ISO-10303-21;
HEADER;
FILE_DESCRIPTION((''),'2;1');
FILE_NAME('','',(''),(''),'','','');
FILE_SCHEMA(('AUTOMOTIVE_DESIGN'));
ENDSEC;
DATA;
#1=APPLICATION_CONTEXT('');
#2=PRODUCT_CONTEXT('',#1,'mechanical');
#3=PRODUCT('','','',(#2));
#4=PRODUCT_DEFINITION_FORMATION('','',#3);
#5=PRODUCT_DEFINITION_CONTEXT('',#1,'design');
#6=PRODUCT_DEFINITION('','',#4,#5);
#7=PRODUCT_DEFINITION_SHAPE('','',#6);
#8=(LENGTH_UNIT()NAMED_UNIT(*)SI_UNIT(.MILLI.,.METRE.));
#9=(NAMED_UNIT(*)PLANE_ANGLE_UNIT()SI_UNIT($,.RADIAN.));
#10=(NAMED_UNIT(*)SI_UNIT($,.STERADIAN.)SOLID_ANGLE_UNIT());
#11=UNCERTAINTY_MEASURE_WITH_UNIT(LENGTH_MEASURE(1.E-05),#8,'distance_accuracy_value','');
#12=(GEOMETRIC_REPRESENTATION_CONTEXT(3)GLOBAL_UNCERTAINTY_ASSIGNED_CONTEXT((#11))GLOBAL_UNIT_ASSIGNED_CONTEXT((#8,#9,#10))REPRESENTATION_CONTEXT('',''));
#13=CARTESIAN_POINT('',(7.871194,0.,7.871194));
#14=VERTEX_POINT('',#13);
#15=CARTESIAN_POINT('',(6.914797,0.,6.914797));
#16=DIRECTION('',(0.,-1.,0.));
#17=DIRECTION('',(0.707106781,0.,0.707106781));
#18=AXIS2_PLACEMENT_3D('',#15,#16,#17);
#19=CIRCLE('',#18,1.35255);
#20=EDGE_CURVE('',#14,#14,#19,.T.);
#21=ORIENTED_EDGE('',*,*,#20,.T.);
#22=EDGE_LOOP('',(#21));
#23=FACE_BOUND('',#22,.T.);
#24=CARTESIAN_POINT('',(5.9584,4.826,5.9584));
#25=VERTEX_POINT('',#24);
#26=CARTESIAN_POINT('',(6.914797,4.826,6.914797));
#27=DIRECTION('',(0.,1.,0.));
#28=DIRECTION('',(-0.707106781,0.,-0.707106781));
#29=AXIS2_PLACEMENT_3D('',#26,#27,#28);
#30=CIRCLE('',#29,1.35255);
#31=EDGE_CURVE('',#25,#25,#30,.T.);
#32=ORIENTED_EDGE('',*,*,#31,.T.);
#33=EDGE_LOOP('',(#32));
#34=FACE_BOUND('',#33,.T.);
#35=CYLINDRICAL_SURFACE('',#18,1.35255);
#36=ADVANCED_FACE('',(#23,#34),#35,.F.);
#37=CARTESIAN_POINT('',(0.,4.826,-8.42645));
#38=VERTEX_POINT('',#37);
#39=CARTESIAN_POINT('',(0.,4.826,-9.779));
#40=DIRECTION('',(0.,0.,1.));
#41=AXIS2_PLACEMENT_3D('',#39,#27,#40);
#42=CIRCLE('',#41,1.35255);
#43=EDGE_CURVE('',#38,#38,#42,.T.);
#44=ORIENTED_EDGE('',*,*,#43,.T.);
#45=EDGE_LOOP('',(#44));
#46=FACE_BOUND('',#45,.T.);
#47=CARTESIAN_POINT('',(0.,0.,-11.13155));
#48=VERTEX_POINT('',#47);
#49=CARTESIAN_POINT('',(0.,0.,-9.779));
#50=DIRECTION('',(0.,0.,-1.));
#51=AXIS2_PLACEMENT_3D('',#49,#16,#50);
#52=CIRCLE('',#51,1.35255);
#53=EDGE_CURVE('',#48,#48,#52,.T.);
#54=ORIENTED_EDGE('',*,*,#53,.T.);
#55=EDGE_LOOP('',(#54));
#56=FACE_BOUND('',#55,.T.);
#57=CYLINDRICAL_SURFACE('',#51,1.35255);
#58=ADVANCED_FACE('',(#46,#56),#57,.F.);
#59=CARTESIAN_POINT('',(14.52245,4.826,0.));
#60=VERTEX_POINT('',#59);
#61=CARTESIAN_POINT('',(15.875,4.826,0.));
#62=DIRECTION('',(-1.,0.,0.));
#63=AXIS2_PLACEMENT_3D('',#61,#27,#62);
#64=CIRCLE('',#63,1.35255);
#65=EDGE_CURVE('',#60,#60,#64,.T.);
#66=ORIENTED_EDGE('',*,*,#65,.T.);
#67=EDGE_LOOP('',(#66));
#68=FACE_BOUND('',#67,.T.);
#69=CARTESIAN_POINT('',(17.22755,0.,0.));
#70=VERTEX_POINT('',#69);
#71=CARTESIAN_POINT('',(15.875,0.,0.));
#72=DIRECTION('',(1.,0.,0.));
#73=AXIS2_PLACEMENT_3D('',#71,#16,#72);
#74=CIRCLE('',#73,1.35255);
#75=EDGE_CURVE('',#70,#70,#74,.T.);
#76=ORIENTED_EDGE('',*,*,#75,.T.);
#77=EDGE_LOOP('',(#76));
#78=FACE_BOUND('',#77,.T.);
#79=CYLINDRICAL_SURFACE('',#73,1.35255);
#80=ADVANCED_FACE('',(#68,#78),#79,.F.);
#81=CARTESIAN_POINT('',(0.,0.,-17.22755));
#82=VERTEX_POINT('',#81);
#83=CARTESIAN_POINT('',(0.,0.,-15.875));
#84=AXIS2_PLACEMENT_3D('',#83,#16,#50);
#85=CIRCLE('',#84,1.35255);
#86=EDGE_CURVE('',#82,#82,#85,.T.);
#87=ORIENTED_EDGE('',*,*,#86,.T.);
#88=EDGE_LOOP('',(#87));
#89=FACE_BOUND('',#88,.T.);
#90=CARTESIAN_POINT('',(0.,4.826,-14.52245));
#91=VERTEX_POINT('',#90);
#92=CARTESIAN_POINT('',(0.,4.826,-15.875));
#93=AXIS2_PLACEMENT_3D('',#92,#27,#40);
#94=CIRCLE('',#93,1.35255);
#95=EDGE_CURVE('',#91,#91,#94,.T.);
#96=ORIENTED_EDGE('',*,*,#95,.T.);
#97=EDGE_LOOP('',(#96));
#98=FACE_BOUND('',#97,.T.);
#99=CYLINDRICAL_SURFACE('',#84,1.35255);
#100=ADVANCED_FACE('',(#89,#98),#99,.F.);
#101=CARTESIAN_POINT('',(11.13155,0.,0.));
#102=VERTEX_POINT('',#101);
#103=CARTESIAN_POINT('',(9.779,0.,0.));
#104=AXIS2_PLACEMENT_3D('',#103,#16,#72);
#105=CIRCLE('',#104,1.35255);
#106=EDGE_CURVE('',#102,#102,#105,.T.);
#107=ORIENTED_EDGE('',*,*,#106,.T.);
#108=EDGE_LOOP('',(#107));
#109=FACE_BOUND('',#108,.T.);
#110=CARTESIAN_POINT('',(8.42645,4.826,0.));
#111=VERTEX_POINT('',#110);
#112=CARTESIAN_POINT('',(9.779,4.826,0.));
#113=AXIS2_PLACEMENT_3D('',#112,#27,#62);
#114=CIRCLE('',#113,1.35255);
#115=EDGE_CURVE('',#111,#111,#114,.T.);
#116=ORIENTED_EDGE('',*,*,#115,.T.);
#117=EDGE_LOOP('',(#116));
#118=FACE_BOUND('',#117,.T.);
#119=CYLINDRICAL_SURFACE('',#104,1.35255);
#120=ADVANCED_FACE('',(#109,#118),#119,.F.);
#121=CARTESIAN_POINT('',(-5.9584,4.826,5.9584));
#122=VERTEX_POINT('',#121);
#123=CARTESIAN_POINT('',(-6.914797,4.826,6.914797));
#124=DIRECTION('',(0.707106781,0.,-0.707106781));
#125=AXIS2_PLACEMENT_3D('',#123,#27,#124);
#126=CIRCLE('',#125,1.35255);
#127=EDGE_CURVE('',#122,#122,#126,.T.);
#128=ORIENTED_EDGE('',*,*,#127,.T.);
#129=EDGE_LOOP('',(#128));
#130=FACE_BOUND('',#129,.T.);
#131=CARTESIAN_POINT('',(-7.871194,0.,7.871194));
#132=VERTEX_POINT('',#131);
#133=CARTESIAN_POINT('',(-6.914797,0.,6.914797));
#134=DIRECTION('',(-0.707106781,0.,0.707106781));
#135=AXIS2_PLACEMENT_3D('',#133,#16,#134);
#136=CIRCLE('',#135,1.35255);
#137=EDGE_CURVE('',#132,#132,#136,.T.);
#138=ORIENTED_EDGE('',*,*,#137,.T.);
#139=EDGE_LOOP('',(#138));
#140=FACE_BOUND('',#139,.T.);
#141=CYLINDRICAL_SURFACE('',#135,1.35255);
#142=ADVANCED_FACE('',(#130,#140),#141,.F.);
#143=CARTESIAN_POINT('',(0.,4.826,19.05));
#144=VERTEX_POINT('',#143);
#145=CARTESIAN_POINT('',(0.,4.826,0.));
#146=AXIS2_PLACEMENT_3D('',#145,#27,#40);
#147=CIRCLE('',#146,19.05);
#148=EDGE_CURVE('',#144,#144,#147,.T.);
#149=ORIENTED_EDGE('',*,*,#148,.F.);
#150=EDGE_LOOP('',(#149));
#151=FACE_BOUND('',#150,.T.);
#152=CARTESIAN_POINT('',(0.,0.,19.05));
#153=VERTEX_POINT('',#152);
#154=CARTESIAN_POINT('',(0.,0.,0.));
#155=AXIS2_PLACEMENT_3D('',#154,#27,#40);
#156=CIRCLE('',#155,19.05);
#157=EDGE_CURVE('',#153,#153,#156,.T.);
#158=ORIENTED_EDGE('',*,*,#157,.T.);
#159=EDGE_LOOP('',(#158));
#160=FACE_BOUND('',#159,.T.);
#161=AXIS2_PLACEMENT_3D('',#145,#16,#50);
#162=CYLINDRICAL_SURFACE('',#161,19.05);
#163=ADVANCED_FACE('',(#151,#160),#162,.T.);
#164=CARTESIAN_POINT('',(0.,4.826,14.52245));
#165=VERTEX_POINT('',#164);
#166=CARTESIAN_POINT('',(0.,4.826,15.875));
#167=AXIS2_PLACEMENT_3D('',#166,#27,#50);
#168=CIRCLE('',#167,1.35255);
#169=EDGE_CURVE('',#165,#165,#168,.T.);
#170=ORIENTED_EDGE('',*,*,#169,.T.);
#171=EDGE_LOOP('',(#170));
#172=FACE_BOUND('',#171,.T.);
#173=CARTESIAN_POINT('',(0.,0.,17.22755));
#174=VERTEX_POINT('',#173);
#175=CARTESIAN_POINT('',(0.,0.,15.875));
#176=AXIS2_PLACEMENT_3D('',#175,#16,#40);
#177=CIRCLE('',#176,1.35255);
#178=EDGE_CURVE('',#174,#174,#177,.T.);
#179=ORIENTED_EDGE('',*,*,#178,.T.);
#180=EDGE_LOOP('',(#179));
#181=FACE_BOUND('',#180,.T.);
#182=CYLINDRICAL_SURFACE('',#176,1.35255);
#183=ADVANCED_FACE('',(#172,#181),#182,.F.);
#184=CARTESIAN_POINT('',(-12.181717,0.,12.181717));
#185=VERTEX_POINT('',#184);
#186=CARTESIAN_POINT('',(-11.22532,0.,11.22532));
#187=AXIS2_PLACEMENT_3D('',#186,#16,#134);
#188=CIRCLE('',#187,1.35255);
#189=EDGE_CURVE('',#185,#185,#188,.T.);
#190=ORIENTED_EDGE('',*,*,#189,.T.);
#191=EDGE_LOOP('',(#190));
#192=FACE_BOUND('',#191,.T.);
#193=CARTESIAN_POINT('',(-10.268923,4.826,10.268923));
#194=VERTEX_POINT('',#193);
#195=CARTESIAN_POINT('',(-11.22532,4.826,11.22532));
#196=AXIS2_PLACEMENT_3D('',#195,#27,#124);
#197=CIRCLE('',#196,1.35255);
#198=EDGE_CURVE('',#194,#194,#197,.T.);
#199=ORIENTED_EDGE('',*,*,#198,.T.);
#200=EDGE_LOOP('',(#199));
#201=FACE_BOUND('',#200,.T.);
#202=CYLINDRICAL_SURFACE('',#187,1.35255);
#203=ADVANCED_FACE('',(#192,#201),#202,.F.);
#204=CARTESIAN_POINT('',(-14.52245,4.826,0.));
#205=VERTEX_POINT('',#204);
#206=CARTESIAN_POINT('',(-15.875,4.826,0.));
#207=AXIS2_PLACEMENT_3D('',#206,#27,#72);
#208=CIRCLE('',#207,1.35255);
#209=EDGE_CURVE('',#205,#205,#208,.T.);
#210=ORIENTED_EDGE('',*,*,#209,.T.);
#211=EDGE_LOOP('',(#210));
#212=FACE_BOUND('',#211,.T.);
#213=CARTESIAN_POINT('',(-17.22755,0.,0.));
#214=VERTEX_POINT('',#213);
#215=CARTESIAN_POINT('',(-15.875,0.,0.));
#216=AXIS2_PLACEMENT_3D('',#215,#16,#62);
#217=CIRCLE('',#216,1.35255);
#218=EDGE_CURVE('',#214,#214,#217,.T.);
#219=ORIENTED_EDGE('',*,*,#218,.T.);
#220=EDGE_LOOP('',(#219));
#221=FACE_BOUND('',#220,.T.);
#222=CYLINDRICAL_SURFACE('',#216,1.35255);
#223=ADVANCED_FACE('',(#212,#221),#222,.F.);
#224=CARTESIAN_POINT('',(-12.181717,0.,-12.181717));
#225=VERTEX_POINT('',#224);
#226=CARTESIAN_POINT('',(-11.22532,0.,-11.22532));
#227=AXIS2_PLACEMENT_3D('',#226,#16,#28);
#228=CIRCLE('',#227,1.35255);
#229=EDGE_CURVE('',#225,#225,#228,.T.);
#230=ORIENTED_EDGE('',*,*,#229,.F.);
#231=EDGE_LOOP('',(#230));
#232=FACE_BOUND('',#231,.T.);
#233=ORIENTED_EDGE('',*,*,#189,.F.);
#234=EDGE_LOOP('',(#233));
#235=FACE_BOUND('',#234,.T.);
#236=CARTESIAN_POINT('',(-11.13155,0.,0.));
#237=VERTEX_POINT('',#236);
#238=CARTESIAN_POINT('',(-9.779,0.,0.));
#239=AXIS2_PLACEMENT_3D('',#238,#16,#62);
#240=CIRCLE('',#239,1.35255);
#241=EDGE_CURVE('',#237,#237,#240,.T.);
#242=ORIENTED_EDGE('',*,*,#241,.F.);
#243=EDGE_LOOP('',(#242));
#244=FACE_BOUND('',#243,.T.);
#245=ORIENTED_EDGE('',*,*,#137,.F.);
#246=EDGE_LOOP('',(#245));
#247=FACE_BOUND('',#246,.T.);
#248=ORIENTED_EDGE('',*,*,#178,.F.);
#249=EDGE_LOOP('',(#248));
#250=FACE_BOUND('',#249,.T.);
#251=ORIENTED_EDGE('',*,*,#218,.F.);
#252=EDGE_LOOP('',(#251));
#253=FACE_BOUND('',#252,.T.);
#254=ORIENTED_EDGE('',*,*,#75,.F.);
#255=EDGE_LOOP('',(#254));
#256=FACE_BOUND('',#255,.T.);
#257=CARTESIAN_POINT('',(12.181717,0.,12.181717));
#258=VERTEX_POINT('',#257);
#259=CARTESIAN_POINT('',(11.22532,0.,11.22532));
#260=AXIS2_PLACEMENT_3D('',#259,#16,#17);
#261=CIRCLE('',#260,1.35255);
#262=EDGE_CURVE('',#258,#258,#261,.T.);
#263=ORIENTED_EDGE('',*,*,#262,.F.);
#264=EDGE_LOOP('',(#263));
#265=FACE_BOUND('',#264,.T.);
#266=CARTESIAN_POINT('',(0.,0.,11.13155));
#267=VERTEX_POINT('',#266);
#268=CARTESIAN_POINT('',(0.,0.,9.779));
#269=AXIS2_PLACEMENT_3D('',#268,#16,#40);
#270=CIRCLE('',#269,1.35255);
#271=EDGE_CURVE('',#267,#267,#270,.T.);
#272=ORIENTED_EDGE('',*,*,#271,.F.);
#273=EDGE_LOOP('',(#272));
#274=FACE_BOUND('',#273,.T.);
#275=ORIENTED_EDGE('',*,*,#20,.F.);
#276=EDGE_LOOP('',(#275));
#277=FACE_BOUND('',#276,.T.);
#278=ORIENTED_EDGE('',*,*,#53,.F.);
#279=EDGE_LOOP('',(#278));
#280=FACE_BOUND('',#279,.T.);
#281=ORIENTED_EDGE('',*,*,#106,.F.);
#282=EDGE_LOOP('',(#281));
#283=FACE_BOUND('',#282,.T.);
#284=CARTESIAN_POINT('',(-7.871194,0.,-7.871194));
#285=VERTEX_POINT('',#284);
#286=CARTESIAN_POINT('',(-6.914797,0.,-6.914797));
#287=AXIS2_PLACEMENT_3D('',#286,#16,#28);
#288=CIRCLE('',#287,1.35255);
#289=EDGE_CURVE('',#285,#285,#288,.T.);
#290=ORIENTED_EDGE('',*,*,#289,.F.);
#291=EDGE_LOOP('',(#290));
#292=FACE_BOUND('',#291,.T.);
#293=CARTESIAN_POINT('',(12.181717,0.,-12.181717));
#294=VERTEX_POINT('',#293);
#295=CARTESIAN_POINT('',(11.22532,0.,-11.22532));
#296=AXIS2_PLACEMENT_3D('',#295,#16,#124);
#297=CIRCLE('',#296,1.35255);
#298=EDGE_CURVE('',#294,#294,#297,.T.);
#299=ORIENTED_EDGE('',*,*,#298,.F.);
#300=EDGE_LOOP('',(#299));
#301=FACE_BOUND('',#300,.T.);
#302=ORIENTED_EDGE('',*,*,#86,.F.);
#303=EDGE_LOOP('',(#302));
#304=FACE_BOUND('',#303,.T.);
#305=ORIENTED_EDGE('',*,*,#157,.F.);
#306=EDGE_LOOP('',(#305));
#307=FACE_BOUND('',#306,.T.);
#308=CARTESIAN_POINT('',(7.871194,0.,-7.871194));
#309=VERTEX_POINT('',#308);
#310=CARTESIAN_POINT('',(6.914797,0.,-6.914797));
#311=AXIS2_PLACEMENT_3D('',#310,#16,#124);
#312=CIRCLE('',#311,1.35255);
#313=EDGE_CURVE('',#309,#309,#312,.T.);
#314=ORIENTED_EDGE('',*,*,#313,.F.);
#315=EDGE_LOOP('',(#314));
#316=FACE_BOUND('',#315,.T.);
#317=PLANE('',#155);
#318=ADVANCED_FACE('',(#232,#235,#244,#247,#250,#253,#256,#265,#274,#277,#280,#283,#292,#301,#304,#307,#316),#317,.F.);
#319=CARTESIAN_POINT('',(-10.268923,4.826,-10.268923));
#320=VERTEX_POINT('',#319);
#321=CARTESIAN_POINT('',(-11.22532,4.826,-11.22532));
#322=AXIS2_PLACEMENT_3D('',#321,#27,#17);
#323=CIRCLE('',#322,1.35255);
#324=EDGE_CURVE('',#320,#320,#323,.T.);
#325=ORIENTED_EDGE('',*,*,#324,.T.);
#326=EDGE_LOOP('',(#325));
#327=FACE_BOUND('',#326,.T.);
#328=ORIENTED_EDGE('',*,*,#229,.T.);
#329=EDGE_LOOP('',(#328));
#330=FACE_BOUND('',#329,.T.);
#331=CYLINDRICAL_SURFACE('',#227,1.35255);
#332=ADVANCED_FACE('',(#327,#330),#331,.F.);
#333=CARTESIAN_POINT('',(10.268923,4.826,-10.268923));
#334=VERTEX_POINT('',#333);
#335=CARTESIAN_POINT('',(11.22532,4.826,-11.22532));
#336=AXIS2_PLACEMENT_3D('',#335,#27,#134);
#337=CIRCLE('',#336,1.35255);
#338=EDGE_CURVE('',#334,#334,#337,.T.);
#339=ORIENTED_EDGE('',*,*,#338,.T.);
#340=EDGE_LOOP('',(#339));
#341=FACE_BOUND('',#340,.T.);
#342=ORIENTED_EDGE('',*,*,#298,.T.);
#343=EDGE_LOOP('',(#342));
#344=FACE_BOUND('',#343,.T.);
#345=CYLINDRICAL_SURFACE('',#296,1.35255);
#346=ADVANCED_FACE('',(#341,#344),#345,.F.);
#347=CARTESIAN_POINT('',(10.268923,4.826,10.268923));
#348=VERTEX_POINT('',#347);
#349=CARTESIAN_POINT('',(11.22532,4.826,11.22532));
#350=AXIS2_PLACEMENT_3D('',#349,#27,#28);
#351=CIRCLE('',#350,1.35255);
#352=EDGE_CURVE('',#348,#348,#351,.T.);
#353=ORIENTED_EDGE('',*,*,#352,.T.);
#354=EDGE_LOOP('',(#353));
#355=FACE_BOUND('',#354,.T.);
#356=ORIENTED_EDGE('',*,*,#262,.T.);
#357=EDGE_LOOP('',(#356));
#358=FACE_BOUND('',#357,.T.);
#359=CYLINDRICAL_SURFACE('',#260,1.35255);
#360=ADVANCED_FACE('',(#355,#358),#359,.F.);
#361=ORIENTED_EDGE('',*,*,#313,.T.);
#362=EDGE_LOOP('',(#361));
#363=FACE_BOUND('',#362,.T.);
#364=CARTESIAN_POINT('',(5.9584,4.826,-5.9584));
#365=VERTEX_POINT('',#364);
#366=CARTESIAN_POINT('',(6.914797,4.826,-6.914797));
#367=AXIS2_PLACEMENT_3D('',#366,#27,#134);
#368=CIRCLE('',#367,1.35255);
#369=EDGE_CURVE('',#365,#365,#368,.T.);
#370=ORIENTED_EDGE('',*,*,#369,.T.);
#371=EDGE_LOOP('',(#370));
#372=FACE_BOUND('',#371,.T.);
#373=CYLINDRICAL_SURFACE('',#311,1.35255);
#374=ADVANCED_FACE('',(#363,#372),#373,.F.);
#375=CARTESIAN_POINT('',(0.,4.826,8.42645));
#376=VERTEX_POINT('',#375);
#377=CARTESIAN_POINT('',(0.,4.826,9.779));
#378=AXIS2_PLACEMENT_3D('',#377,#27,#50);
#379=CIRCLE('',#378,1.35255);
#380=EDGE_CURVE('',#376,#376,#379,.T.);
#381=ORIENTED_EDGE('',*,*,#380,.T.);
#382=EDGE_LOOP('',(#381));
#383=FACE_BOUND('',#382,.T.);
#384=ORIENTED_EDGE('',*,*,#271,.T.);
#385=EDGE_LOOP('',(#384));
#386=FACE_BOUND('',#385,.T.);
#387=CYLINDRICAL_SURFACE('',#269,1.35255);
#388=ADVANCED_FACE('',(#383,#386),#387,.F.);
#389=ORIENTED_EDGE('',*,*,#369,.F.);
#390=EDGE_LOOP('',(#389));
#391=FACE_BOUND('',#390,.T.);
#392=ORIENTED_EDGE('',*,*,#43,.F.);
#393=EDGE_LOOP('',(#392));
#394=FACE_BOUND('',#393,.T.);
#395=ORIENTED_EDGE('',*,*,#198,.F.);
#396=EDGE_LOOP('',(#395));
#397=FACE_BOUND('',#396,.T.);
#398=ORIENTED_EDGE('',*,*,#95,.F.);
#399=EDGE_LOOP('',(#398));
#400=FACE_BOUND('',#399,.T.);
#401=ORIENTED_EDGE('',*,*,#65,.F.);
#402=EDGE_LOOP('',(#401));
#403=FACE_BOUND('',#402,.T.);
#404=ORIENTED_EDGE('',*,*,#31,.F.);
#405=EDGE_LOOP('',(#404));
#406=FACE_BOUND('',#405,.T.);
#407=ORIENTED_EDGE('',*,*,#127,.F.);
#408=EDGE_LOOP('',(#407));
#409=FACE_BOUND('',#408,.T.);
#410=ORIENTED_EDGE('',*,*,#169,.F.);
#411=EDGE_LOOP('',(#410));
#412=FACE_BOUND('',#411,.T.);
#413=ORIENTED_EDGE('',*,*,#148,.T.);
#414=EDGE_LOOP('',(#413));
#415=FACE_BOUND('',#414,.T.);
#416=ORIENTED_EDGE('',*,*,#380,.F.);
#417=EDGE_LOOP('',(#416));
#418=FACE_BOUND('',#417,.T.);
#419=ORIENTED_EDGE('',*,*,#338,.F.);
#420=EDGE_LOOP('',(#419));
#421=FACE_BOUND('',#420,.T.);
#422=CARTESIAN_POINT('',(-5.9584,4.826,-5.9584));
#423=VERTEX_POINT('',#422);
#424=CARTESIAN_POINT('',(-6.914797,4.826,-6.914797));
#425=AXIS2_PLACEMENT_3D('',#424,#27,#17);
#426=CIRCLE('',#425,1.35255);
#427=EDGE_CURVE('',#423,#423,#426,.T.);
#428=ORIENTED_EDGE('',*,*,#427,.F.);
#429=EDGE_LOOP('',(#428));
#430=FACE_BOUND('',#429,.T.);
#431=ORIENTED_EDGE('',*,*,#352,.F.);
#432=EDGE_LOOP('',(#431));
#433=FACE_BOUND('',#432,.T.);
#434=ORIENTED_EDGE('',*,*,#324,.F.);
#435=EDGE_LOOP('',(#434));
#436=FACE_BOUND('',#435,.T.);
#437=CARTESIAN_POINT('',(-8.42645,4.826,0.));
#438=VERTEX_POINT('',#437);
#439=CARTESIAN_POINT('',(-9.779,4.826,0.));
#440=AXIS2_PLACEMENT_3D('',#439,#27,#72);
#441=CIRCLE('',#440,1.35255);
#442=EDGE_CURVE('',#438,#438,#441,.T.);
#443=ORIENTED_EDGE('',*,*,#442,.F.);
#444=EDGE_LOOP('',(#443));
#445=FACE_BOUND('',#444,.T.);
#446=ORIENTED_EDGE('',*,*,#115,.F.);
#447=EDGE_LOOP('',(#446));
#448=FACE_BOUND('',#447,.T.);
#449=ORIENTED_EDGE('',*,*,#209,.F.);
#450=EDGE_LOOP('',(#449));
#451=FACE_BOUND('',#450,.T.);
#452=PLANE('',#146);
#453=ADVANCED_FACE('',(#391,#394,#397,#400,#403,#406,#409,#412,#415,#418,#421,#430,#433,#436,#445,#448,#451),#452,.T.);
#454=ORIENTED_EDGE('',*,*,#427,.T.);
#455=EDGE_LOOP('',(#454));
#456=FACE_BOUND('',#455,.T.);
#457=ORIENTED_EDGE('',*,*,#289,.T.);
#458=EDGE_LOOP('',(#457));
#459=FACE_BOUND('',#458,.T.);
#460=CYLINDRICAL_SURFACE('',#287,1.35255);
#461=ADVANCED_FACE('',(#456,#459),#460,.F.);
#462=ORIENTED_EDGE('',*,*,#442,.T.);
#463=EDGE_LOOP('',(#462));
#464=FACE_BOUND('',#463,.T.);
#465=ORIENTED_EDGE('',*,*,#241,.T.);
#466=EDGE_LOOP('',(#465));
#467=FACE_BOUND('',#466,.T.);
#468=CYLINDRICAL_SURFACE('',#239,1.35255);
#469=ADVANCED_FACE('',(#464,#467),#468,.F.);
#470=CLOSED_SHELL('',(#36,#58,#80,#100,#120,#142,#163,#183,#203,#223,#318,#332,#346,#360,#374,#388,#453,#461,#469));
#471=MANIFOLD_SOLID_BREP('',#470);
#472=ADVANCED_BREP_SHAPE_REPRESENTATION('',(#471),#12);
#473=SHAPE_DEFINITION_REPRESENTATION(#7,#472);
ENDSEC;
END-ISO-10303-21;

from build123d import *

# Parameters (mm, degrees)
SKETCH1_R                       = 19.05
BOSS_EXTRUDE1_DEPTH             = 4.826
M2_5_CLEARANCE_HOLE2_AT_2_COUNT = 2
M2_5_CLEARANCE_HOLE2_AT_2_PITCH = 6.096
CIRPATTERN1_COUNT               = 8


with BuildPart() as part:
    # Sketch1 → Boss-Extrude1 (new body)
    with BuildSketch(Plane(origin=(0, 0, 0), x_dir=(1, 0, 0), z_dir=(0, 1, 0))):
        Circle(SKETCH1_R)
    extrude(amount=BOSS_EXTRUDE1_DEPTH)

    # Sketch11 → M2.5 Clearance Hole2 (revolve, cut)
    with BuildSketch(Plane(origin=(0, 0, -15.875), x_dir=(0, 0, -1), z_dir=(1, 0, 0))):
        Polygon((0, 0), (0, 5.89269403), (1.35255, 5.08), (1.35255, 0), align=None)
    m2_5_clearance_hole2 = revolve(axis=Axis((0, -6.35, -15.875), (0, 1, 0)), mode=Mode.SUBTRACT)

    # M2.5 Clearance Hole2 at 2: M2.5 Clearance Hole2 ×2
    with Locations(*[(0, 0, i * M2_5_CLEARANCE_HOLE2_AT_2_PITCH) for i in range(1, M2_5_CLEARANCE_HOLE2_AT_2_COUNT)]):
        add(m2_5_clearance_hole2, mode=Mode.SUBTRACT)

    # CirPattern1: M2.5 Clearance Hole2 ×8 about axis
    cirpattern1_axis = Axis((0, 0, 0), (0, 1, 0))
    for i in range(1, CIRPATTERN1_COUNT):
        add(m2_5_clearance_hole2.rotate(cirpattern1_axis, i * 360 / CIRPATTERN1_COUNT), mode=Mode.SUBTRACT)

    # CirPattern1 copy 1 sketch → CirPattern1 copy 1 (revolve, cut)
    with BuildSketch(Plane(origin=(-6.914797213, 0, -6.914797213), x_dir=(-0.707106781, 0, -0.707106781), z_dir=(0.707106781, 0, -0.707106781))):
        Polygon((0, 0), (0, 5.89269403), (1.35255, 5.08), (1.35255, 0), align=None)
    revolve(axis=Axis((-6.914797213, -6.35, -6.914797213), (0, 1, 0)), mode=Mode.SUBTRACT)

    # CirPattern1 copy 2 sketch → CirPattern1 copy 2 (revolve, cut)
    with BuildSketch(Plane(origin=(-9.779, 0, 0), x_dir=(-1, 0, 0), z_dir=(0, 0, -1))):
        Polygon((0, 0), (0, 5.89269403), (1.35255, 5.08), (1.35255, 0), align=None)
    revolve(axis=Axis((-9.779, -6.35, 0), (0, 1, 0)), mode=Mode.SUBTRACT)

    # CirPattern1 copy 3 sketch → CirPattern1 copy 3 (revolve, cut)
    with BuildSketch(Plane(origin=(-6.914797213, 0, 6.914797213), x_dir=(-0.707106781, 0, 0.707106781), z_dir=(-0.707106781, 0, -0.707106781))):
        Polygon((0, 0), (0, 5.89269403), (1.35255, 5.08), (1.35255, 0), align=None)
    revolve(axis=Axis((-6.914797213, -6.35, 6.914797213), (0, 1, 0)), mode=Mode.SUBTRACT)

    # CirPattern1 copy 4 sketch → CirPattern1 copy 4 (revolve, cut)
    with BuildSketch(Plane(origin=(0, 0, 9.779), x_dir=(0, 0, 1), z_dir=(-1, 0, 0))):
        Polygon((0, 0), (0, 5.89269403), (1.35255, 5.08), (1.35255, 0), align=None)
    revolve(axis=Axis((0, -6.35, 9.779), (0, 1, 0)), mode=Mode.SUBTRACT)

    # CirPattern1 copy 5 sketch → CirPattern1 copy 5 (revolve, cut)
    with BuildSketch(Plane(origin=(6.914797213, 0, 6.914797213), x_dir=(0.707106781, 0, 0.707106781), z_dir=(-0.707106781, 0, 0.707106781))):
        Polygon((0, 0), (0, 5.89269403), (1.35255, 5.08), (1.35255, 0), align=None)
    revolve(axis=Axis((6.914797213, -6.35, 6.914797213), (0, 1, 0)), mode=Mode.SUBTRACT)

    # CirPattern1 copy 6 sketch → CirPattern1 copy 6 (revolve, cut)
    with BuildSketch(Plane(origin=(9.779, 0, 0), x_dir=(1, 0, 0), z_dir=(0, 0, 1))):
        Polygon((0, 0), (0, 5.89269403), (1.35255, 5.08), (1.35255, 0), align=None)
    revolve(axis=Axis((9.779, -6.35, 0), (0, 1, 0)), mode=Mode.SUBTRACT)

    # CirPattern1 copy 7 sketch → CirPattern1 copy 7 (revolve, cut)
    with BuildSketch(Plane(origin=(6.914797213, 0, -6.914797213), x_dir=(0.707106781, 0, -0.707106781), z_dir=(0.707106781, 0, 0.707106781))):
        Polygon((0, 0), (0, 5.89269403), (1.35255, 5.08), (1.35255, 0), align=None)
    revolve(axis=Axis((6.914797213, -6.35, -6.914797213), (0, 1, 0)), mode=Mode.SUBTRACT)


solid = part.part
